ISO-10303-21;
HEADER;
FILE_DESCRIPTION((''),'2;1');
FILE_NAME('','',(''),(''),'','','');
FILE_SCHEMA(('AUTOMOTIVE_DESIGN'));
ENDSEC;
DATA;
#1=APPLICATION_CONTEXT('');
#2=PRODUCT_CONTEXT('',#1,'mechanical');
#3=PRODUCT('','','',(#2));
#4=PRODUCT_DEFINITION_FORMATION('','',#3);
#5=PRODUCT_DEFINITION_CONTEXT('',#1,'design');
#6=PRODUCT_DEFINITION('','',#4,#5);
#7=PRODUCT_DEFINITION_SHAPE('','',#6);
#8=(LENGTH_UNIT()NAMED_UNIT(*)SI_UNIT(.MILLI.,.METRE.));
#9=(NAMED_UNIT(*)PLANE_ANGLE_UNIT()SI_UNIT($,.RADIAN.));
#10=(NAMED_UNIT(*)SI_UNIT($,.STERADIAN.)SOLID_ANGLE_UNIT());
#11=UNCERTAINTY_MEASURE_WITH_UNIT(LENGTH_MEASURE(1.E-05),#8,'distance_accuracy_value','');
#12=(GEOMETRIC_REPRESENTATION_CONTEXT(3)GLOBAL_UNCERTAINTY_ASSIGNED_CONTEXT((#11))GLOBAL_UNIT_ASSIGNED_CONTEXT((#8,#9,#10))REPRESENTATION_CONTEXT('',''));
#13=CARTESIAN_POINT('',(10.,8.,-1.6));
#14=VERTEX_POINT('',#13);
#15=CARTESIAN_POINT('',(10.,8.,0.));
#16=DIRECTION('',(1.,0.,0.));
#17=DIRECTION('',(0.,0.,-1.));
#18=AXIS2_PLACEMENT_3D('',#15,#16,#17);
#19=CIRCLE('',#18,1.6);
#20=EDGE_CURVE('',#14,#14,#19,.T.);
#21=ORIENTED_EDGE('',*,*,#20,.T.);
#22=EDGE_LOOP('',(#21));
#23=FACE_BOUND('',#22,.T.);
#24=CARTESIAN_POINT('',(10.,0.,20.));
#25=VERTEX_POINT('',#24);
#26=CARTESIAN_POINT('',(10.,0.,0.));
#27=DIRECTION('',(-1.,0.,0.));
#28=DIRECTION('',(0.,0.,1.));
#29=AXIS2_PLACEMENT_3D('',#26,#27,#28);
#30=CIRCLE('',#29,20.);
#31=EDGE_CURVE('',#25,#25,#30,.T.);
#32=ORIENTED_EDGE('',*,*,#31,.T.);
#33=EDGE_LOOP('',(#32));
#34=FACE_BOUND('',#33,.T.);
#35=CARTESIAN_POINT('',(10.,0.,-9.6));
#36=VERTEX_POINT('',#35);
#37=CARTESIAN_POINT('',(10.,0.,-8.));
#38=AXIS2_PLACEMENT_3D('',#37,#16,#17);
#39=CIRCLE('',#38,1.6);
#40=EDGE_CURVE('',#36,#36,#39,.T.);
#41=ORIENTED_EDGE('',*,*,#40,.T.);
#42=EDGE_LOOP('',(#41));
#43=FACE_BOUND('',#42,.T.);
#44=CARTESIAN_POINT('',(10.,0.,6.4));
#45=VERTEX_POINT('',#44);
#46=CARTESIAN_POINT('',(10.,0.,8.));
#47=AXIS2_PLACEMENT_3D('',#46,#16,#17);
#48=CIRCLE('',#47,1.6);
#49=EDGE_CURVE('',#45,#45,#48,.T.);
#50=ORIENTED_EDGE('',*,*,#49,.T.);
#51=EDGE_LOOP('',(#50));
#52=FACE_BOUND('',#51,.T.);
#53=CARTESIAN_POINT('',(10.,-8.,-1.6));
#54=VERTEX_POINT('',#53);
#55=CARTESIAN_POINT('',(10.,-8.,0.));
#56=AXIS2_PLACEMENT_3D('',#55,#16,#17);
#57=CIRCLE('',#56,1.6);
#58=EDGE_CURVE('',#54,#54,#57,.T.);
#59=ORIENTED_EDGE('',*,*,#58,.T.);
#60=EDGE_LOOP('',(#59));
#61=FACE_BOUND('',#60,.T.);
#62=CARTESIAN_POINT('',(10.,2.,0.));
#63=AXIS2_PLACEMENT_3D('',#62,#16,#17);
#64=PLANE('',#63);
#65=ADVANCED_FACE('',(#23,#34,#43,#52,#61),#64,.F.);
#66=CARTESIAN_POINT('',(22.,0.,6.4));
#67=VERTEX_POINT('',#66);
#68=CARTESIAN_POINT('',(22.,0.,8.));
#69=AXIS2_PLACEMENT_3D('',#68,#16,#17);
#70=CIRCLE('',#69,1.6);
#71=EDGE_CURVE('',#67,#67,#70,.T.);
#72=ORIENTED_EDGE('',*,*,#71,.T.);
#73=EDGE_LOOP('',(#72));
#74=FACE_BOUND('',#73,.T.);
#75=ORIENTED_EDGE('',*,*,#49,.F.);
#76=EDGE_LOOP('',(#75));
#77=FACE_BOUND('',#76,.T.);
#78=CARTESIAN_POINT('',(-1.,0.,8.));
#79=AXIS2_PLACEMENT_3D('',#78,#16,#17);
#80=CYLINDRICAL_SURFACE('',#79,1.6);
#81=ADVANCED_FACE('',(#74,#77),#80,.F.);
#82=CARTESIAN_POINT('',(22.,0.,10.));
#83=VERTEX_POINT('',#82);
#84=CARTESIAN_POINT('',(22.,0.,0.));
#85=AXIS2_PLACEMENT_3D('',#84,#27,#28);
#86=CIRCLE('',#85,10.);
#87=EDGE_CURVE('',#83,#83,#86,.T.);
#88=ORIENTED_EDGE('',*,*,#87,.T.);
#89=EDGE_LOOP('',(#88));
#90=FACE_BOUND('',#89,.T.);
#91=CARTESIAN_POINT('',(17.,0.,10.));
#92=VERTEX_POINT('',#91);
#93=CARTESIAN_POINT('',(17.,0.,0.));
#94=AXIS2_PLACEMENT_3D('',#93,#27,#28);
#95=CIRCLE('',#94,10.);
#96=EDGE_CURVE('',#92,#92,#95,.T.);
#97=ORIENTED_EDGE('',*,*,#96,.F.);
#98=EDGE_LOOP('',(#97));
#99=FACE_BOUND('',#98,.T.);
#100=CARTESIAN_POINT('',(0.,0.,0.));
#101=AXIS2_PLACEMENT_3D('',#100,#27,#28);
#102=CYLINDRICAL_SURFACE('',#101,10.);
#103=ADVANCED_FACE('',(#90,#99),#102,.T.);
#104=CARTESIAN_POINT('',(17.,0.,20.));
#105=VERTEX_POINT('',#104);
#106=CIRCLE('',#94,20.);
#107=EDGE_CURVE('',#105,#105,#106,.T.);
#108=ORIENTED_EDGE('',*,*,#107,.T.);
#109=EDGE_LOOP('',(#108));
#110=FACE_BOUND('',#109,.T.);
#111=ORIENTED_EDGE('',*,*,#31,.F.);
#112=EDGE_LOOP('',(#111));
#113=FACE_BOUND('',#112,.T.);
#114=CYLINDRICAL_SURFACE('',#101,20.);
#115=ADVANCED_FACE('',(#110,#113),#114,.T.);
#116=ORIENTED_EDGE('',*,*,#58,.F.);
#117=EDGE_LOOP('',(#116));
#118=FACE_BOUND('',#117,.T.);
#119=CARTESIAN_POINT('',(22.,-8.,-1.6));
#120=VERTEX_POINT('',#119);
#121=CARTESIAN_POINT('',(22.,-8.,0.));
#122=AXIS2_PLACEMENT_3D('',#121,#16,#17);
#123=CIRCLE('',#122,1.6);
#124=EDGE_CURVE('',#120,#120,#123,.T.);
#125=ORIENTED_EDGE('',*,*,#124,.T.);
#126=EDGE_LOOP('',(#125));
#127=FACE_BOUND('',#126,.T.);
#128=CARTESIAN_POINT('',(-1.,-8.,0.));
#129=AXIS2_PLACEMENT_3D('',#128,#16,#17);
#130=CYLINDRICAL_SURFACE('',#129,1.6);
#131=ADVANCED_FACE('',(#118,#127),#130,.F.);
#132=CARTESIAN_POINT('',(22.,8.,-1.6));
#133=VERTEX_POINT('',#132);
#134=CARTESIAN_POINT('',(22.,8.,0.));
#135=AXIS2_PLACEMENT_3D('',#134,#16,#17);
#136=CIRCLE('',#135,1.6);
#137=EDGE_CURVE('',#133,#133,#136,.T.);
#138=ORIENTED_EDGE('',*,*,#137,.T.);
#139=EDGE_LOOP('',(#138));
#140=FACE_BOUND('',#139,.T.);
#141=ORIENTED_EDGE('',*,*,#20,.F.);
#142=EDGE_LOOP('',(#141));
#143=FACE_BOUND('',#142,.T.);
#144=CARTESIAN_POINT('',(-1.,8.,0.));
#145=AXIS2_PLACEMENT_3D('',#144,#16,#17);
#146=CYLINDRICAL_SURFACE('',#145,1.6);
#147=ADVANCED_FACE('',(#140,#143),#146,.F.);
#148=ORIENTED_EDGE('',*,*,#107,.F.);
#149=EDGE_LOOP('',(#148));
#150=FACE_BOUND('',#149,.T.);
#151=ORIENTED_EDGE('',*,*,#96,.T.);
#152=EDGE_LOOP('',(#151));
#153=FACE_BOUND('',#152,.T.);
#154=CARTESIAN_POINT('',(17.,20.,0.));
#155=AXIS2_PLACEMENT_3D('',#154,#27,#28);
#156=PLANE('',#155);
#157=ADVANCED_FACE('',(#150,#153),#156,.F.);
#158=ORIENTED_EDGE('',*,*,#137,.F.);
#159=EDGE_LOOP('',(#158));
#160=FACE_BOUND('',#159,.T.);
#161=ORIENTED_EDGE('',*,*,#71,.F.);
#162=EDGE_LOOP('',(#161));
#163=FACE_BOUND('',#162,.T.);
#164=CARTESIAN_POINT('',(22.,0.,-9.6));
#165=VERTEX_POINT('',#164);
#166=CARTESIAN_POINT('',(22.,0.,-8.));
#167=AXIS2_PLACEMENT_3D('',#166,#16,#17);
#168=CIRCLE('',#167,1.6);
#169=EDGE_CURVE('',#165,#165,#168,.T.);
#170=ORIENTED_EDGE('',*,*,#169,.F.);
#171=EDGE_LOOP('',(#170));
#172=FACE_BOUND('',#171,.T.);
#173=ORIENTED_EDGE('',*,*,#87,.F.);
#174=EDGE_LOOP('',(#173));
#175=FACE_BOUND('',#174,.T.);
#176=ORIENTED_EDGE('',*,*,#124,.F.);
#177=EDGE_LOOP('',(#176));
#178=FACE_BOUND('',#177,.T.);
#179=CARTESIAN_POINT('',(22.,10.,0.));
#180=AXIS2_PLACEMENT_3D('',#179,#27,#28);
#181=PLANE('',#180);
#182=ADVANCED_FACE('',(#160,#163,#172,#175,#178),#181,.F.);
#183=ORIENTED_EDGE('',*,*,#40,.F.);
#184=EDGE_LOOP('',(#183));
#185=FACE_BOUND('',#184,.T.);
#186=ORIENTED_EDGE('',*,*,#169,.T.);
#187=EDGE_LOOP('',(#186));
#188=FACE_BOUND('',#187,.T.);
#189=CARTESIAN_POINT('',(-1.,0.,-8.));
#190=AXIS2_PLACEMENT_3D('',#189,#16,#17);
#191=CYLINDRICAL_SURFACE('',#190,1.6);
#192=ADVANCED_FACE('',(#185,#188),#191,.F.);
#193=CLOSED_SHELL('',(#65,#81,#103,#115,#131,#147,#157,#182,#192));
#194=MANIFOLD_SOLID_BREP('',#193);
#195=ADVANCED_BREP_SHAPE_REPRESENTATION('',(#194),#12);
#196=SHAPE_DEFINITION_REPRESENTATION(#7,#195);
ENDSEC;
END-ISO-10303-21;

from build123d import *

# Parameters (mm, degrees)
CUT_EXTRUDE_1_DEPTH      = 10
CUT_EXTRUDE_1_DEPTH_BACK = 10
SKETCH_3_W               = 10
SKETCH_3_H               = 4.3
SKETCH_4_R               = 1.6
CUT_EXTRUDE_2_DEPTH      = 23


with BuildPart() as part:
    # 草图1 → 旋转1 (revolve)
    with BuildSketch(Plane.XY):
        Polygon((0, 0), (0, 2), (10, 2), (10, 20), (17, 20), (17, 10), (22, 10), (22, 0), align=None)
    revolve(axis=Axis((0, 0, 0), (1, 0, 0)))

    # 草图3 → 切除-拉伸1 (cut, two sides: drawn at the far end of the back side and taken through both)
    with BuildSketch(Plane.XY.offset(-CUT_EXTRUDE_1_DEPTH_BACK)):
        with Locations((5, 0.15)):
            Rectangle(SKETCH_3_W, SKETCH_3_H)
    extrude(amount=CUT_EXTRUDE_1_DEPTH + CUT_EXTRUDE_1_DEPTH_BACK, mode=Mode.SUBTRACT)

    # 草图4 → 切除-拉伸2 (cut)
    with BuildSketch(Plane(origin=(22, 0, 0), x_dir=(0, 0, -1), z_dir=(1, 0, 0))):
        with Locations((0, 8)):
            Circle(SKETCH_4_R)
        with Locations((8, 0)):
            Circle(SKETCH_4_R)
        with Locations((0, -8)):
            Circle(SKETCH_4_R)
        with Locations((-8, 0)):
            Circle(SKETCH_4_R)
    extrude(amount=-CUT_EXTRUDE_2_DEPTH, mode=Mode.SUBTRACT)


solid = part.part
